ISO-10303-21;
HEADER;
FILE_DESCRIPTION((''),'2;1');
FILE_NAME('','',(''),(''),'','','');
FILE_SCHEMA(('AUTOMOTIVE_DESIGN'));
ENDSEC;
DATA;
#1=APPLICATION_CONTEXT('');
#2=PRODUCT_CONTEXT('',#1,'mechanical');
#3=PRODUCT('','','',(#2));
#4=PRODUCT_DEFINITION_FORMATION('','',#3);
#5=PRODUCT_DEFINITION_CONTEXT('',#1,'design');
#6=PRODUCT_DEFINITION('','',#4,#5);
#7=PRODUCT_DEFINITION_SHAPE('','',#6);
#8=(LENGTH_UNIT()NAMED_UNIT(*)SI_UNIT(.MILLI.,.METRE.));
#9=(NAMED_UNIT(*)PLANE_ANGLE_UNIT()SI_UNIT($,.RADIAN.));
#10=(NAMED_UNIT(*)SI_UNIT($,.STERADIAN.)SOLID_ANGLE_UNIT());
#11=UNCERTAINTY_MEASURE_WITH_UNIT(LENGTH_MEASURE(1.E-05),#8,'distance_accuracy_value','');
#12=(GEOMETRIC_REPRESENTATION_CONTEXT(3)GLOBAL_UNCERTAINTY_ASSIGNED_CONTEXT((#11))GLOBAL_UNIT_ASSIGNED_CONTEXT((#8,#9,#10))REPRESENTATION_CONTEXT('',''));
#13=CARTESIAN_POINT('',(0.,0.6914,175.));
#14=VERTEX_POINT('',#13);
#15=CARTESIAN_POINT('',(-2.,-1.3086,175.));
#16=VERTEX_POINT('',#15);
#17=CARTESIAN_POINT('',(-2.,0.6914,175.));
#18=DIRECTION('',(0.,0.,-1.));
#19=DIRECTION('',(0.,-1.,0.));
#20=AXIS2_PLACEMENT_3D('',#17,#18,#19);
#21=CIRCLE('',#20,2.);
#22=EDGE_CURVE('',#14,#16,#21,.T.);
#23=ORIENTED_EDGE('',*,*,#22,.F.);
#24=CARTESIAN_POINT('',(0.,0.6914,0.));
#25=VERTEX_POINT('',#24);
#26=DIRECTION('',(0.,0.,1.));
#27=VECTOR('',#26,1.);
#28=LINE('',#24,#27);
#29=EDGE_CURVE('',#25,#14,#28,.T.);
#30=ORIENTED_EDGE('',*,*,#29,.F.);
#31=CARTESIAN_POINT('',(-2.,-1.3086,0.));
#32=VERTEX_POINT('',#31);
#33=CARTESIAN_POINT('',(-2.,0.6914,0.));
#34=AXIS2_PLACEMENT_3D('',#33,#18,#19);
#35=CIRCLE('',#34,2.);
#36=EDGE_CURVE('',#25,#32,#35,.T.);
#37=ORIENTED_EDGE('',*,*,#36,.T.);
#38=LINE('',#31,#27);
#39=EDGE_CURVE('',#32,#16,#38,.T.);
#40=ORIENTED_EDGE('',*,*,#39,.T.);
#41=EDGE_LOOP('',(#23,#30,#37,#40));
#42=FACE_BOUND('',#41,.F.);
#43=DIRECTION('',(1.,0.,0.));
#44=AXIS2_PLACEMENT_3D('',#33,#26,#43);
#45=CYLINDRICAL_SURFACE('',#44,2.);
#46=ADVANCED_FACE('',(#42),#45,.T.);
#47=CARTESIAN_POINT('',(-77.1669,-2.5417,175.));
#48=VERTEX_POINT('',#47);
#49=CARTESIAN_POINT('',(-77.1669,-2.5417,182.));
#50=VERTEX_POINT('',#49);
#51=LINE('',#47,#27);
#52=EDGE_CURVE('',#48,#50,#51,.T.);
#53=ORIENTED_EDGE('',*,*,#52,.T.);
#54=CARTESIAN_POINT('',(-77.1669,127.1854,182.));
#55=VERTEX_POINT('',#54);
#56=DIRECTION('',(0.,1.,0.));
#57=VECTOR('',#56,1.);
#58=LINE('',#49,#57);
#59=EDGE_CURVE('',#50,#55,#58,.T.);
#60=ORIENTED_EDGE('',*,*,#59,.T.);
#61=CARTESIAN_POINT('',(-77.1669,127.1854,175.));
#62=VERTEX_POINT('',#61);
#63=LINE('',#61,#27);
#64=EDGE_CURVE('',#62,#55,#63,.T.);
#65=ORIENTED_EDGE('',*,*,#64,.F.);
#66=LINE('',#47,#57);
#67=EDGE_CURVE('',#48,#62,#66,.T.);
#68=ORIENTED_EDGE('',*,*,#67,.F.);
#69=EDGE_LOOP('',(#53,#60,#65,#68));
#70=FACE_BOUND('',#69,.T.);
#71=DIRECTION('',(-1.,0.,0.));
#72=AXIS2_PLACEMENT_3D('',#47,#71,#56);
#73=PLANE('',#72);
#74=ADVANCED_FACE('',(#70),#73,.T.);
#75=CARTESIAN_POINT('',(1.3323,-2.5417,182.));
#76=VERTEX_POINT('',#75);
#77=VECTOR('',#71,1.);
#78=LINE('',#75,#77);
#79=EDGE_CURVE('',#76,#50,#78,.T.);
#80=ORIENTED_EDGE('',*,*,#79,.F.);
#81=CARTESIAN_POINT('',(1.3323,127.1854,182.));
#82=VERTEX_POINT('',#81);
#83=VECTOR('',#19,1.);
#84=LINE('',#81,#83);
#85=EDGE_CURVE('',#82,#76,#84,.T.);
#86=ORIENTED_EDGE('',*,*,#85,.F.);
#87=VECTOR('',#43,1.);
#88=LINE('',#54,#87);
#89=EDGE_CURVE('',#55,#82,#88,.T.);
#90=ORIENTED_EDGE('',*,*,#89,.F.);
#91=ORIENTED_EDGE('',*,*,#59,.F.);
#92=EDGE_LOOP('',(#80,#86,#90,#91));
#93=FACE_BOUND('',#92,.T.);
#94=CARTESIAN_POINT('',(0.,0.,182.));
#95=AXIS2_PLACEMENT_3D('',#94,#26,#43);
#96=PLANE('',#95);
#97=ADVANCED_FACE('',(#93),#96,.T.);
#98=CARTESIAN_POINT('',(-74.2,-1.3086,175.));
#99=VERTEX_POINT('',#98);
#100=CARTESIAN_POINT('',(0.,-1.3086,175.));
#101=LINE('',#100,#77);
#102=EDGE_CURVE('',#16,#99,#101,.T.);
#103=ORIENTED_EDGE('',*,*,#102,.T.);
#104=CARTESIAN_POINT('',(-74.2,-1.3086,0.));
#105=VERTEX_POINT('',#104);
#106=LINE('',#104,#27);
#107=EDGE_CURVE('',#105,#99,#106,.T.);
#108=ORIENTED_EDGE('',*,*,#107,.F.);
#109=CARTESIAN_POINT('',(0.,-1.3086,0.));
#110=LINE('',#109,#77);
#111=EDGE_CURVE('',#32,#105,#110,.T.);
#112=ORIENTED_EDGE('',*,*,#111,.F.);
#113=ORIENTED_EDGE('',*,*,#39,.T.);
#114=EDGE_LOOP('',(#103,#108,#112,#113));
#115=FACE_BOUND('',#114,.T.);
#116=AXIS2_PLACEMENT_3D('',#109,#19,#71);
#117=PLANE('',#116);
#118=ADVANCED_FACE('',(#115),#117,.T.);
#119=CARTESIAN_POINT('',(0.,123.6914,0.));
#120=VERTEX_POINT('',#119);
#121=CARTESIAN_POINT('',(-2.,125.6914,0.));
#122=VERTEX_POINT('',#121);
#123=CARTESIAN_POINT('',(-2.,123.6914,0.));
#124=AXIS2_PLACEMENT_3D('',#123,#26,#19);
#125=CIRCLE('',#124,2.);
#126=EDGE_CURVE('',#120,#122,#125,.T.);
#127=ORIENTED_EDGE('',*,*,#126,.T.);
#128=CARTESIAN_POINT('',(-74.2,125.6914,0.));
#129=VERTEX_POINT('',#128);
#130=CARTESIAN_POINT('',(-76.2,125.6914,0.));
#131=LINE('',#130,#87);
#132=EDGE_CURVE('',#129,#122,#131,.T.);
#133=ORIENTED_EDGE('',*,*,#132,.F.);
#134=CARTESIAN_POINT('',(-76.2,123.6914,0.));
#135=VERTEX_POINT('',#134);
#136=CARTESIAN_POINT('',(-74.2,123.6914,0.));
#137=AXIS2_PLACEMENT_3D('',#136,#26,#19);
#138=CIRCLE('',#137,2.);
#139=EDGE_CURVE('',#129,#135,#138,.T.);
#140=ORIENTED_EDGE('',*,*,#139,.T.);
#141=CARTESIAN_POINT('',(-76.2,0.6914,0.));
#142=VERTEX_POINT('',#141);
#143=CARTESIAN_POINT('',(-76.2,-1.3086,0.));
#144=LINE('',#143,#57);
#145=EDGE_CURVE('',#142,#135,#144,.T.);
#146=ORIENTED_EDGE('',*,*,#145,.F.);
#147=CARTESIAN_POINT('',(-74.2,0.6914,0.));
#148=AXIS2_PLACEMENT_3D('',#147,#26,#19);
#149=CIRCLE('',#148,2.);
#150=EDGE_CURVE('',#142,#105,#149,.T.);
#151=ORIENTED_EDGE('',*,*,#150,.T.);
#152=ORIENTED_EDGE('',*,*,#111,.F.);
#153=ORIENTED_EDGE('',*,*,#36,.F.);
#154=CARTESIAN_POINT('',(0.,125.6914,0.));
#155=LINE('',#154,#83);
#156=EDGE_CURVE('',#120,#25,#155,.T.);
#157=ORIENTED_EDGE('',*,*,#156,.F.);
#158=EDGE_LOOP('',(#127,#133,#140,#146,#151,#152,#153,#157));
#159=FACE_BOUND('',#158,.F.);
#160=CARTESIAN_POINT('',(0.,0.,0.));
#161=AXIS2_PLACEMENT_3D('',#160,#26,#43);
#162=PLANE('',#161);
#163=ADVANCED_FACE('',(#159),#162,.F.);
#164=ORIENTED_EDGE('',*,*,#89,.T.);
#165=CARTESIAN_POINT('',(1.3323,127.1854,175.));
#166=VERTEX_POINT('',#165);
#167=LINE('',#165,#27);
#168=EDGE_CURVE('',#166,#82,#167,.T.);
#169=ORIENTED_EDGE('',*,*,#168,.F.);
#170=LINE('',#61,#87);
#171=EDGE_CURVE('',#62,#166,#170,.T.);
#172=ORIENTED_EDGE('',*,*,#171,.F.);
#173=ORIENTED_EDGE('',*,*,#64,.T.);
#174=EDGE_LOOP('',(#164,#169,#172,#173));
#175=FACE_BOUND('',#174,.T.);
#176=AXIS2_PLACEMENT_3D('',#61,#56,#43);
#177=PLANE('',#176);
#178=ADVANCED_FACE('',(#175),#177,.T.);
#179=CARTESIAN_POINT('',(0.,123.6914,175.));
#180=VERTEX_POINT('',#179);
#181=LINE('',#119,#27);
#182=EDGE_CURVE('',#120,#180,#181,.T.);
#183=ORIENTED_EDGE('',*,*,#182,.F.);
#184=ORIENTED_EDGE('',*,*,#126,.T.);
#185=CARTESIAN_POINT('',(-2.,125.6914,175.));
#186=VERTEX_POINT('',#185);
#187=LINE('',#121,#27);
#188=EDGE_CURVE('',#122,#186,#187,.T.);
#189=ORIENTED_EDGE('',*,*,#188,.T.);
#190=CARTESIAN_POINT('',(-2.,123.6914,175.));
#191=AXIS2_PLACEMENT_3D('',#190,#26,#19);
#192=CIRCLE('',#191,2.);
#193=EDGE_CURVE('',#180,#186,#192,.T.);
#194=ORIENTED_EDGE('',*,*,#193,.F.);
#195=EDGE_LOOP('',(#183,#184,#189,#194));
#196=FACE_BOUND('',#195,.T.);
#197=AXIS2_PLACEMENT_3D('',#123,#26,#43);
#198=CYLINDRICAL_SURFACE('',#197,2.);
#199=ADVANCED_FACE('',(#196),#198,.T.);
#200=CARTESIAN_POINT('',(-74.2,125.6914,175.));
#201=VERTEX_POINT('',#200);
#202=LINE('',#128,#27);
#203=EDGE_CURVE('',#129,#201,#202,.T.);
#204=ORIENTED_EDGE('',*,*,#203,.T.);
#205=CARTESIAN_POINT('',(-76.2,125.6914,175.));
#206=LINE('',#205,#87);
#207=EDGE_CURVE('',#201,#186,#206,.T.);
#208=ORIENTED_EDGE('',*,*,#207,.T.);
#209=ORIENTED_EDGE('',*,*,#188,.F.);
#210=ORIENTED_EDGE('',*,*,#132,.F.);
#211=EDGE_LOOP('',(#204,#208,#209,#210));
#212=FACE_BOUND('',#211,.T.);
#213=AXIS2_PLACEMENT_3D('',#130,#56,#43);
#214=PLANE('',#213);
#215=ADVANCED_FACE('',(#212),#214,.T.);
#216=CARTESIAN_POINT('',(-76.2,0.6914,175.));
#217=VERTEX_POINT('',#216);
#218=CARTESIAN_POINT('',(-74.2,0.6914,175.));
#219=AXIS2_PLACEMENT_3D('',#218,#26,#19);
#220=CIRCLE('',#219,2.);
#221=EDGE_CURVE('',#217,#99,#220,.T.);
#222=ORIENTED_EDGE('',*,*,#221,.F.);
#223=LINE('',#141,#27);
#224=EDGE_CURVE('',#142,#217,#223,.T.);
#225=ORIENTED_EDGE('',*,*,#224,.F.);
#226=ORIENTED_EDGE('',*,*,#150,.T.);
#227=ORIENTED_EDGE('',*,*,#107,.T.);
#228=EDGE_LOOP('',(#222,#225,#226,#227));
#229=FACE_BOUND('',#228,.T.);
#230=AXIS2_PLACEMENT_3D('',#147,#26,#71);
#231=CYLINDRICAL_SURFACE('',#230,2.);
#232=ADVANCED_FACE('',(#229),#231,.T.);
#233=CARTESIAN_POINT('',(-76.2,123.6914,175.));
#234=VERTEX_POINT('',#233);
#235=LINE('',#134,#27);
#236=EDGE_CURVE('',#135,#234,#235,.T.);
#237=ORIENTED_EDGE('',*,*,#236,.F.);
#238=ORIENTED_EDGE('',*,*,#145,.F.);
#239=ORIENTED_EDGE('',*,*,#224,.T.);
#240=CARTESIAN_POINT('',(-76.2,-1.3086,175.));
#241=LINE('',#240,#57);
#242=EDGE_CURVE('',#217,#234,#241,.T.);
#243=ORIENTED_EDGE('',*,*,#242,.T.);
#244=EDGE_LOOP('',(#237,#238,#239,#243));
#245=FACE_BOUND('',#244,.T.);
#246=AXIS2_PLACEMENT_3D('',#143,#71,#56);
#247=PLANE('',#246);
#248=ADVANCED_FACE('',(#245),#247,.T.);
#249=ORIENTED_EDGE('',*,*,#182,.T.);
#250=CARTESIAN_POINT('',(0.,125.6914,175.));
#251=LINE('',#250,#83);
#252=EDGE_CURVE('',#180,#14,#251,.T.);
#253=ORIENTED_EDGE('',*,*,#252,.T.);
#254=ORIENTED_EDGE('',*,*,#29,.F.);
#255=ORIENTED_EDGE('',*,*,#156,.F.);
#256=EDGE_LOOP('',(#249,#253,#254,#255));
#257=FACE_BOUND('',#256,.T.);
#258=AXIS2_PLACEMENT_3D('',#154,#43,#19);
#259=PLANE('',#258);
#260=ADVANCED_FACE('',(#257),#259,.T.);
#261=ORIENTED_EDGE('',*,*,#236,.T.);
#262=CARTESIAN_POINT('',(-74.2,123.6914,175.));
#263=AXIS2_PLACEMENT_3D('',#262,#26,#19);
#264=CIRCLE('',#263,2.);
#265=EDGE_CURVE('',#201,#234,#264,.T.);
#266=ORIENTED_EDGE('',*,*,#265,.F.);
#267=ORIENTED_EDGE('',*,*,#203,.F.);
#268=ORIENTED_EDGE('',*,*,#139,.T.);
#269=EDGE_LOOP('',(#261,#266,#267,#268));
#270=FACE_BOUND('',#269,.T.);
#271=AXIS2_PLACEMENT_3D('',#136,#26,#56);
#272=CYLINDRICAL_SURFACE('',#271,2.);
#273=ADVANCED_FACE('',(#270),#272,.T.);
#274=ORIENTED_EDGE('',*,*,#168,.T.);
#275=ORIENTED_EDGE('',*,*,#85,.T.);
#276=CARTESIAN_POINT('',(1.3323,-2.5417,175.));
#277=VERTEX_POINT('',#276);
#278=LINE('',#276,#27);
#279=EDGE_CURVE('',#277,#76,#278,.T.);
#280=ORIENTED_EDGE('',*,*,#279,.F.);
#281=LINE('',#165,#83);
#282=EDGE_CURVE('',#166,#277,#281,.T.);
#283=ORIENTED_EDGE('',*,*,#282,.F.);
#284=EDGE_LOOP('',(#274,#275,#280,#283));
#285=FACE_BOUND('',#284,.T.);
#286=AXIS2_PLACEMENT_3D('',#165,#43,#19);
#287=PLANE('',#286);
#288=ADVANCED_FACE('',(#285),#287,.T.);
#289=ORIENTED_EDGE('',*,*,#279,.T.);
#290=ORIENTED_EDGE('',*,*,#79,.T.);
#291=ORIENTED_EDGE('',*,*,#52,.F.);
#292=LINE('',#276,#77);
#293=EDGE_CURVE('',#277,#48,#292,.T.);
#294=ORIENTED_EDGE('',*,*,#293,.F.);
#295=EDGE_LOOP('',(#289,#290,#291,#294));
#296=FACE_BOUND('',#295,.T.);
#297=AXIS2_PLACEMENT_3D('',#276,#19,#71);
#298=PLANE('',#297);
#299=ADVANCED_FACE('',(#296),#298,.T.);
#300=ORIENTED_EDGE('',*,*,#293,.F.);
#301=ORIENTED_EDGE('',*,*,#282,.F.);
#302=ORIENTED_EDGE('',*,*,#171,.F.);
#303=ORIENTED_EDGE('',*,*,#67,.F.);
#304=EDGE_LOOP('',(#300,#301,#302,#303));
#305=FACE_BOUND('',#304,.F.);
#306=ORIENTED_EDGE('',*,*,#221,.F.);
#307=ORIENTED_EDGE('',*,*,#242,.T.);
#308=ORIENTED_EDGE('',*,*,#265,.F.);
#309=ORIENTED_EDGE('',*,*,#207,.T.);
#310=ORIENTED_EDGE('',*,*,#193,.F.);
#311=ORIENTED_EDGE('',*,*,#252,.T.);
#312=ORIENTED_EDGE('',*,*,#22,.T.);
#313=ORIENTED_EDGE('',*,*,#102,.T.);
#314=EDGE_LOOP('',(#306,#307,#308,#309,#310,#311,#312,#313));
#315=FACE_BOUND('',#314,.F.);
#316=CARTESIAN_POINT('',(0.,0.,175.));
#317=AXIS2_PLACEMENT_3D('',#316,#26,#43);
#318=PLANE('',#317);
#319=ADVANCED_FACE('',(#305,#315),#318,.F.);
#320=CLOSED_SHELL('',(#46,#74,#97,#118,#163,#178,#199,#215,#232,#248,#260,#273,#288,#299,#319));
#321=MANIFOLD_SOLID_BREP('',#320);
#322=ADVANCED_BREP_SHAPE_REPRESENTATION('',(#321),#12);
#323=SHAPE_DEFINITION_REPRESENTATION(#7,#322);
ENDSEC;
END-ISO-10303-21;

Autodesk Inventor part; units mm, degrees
ref_plane "YZ Plane" through (0, 0, 0) normal (1, 0, 0) x (0, 1, 0)
ref_plane "XZ Plane" through (0, 0, 0) normal (0, 1, 0) x (-1, 0, 0)
ref_plane "XY Plane" through (0, 0, 0) normal (0, 0, 1) x (1, 0, 0)
sketch "Sketch1" plane through (0, 0, 0) normal (0, 0, 1) x (1, 0, 0)
  line L0 (0, -1.3086) -> (-76.2, -1.3086)
  line L1 (-76.2, -1.3086) -> (-76.2, 125.6914)
  line L2 (-76.2, 125.6914) -> (0, 125.6914)
  line L3 (0, 125.6914) -> (0, -1.3086)
  point P0 (0, 0)
  dimension "d0" = 76.2
  dimension "d1" = 127
extrude "Extrusion1" add sketch "Sketch1" along normal blind 175
sketch "Sketch2" plane through (0, 0, 175) normal (0, 0, 1) x (1, 0, 0)
  line L0 (-77.1669, 127.1854) -> (1.3323, 127.1854)
  line L1 (1.3323, 127.1854) -> (1.3323, -2.5417)
  line L2 (1.3323, -2.5417) -> (-77.1669, -2.5417)
  line L3 (-77.1669, -2.5417) -> (-77.1669, 127.1854)
  point P0 (0, 0)
extrude "Extrusion2" add sketch "Sketch2" along normal blind 7
fillet "Fillet1" radius 2 4 edges at (-76.2, -1.3086, 87.5) (0, -1.3086, 87.5) (-76.2, 125.6914, 87.5) (0, 125.6914, 87.5)
properties part number "jar" material "PMMA Plastic"
